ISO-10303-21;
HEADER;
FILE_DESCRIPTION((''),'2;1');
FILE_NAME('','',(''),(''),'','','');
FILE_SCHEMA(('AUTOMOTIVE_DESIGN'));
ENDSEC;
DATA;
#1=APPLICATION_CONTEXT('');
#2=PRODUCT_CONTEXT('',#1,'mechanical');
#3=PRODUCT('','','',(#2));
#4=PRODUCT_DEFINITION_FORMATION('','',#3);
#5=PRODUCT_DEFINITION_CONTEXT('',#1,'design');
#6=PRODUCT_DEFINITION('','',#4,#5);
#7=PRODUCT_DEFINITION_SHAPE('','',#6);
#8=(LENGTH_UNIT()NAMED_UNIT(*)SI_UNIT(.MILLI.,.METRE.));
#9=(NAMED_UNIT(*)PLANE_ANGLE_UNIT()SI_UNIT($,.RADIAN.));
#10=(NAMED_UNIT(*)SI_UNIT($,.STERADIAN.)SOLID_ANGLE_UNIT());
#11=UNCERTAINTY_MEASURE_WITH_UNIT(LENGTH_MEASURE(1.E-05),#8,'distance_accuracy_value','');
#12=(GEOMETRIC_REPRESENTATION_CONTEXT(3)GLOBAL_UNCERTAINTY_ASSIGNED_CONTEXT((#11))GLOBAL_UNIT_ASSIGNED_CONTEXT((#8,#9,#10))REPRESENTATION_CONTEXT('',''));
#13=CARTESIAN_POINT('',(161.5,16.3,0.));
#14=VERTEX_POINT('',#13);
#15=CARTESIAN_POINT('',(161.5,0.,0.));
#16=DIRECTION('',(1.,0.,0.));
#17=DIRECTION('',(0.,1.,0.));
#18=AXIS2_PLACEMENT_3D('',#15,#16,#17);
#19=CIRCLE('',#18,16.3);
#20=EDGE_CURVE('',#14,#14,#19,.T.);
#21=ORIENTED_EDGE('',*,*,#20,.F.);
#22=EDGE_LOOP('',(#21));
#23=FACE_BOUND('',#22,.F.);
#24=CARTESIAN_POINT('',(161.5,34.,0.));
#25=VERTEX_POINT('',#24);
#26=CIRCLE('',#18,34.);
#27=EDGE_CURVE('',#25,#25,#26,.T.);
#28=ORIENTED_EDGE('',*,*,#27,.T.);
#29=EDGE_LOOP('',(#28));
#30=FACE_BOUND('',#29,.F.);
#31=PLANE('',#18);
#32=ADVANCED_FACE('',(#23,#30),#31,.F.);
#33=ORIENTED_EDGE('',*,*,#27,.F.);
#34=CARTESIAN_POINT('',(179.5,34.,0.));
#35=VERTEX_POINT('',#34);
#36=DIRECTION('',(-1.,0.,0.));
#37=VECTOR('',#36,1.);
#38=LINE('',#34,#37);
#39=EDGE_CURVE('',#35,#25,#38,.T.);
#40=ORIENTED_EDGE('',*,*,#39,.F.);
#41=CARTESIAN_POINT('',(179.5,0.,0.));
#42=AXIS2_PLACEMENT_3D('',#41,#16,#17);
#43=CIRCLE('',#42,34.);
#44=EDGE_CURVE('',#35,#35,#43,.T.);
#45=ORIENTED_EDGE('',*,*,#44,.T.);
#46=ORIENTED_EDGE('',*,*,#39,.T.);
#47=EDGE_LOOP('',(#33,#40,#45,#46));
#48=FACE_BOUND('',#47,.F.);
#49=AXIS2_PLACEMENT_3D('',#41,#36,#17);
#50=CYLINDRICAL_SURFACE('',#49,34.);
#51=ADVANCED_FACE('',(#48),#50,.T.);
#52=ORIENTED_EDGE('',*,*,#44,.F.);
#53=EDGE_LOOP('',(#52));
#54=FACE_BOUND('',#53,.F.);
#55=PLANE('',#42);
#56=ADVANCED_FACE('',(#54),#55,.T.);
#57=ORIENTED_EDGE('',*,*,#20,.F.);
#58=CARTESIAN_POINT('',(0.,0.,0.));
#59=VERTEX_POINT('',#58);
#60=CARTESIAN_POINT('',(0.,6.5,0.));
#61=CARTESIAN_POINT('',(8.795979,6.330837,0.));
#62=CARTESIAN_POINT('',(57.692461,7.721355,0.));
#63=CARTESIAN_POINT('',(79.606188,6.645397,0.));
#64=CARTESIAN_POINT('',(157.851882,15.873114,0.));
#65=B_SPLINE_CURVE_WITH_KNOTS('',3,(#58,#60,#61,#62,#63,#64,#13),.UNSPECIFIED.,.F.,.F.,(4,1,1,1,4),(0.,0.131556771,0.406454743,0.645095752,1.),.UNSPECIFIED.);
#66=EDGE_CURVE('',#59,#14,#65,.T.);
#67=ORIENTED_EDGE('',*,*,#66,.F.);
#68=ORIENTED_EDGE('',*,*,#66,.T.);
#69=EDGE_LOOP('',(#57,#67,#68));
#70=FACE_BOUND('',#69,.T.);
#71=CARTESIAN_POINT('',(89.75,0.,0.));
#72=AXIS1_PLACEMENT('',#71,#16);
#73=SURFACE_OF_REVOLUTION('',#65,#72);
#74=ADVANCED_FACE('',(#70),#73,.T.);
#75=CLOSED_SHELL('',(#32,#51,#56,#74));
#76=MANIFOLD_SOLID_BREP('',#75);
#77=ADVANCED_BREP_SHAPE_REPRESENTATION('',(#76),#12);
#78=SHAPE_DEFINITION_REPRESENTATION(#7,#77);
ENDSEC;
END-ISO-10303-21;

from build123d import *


with BuildPart() as f1:
    # F0 (on Top) → F1 (revolve)
    with BuildSketch(Plane.XY):
        with BuildLine():
            add(Edge.make_bspline(
                [(0, 0), (0, 6.5), (8.7959790951, 6.3308368551), (57.6924612882, 7.721354559), (79.6061876538, 6.6453971107), (157.8518821784, 15.8731143857), (161.5, 16.3)],
                knots=[0, 0, 0, 0, 0.131556771, 0.4064547435, 0.6450957524, 1, 1, 1, 1], degree=3))
            Line((0, 0), (179.5, 0))
            Line((179.5, 0), (179.5, 34))
            Line((179.5, 34), (161.5, 34))
            Line((161.5, 34), (161.5, 16.3))
        make_face()
    revolve(axis=Axis((89.75, 0, 0), (1, 0, 0)))


solid = f1.part
